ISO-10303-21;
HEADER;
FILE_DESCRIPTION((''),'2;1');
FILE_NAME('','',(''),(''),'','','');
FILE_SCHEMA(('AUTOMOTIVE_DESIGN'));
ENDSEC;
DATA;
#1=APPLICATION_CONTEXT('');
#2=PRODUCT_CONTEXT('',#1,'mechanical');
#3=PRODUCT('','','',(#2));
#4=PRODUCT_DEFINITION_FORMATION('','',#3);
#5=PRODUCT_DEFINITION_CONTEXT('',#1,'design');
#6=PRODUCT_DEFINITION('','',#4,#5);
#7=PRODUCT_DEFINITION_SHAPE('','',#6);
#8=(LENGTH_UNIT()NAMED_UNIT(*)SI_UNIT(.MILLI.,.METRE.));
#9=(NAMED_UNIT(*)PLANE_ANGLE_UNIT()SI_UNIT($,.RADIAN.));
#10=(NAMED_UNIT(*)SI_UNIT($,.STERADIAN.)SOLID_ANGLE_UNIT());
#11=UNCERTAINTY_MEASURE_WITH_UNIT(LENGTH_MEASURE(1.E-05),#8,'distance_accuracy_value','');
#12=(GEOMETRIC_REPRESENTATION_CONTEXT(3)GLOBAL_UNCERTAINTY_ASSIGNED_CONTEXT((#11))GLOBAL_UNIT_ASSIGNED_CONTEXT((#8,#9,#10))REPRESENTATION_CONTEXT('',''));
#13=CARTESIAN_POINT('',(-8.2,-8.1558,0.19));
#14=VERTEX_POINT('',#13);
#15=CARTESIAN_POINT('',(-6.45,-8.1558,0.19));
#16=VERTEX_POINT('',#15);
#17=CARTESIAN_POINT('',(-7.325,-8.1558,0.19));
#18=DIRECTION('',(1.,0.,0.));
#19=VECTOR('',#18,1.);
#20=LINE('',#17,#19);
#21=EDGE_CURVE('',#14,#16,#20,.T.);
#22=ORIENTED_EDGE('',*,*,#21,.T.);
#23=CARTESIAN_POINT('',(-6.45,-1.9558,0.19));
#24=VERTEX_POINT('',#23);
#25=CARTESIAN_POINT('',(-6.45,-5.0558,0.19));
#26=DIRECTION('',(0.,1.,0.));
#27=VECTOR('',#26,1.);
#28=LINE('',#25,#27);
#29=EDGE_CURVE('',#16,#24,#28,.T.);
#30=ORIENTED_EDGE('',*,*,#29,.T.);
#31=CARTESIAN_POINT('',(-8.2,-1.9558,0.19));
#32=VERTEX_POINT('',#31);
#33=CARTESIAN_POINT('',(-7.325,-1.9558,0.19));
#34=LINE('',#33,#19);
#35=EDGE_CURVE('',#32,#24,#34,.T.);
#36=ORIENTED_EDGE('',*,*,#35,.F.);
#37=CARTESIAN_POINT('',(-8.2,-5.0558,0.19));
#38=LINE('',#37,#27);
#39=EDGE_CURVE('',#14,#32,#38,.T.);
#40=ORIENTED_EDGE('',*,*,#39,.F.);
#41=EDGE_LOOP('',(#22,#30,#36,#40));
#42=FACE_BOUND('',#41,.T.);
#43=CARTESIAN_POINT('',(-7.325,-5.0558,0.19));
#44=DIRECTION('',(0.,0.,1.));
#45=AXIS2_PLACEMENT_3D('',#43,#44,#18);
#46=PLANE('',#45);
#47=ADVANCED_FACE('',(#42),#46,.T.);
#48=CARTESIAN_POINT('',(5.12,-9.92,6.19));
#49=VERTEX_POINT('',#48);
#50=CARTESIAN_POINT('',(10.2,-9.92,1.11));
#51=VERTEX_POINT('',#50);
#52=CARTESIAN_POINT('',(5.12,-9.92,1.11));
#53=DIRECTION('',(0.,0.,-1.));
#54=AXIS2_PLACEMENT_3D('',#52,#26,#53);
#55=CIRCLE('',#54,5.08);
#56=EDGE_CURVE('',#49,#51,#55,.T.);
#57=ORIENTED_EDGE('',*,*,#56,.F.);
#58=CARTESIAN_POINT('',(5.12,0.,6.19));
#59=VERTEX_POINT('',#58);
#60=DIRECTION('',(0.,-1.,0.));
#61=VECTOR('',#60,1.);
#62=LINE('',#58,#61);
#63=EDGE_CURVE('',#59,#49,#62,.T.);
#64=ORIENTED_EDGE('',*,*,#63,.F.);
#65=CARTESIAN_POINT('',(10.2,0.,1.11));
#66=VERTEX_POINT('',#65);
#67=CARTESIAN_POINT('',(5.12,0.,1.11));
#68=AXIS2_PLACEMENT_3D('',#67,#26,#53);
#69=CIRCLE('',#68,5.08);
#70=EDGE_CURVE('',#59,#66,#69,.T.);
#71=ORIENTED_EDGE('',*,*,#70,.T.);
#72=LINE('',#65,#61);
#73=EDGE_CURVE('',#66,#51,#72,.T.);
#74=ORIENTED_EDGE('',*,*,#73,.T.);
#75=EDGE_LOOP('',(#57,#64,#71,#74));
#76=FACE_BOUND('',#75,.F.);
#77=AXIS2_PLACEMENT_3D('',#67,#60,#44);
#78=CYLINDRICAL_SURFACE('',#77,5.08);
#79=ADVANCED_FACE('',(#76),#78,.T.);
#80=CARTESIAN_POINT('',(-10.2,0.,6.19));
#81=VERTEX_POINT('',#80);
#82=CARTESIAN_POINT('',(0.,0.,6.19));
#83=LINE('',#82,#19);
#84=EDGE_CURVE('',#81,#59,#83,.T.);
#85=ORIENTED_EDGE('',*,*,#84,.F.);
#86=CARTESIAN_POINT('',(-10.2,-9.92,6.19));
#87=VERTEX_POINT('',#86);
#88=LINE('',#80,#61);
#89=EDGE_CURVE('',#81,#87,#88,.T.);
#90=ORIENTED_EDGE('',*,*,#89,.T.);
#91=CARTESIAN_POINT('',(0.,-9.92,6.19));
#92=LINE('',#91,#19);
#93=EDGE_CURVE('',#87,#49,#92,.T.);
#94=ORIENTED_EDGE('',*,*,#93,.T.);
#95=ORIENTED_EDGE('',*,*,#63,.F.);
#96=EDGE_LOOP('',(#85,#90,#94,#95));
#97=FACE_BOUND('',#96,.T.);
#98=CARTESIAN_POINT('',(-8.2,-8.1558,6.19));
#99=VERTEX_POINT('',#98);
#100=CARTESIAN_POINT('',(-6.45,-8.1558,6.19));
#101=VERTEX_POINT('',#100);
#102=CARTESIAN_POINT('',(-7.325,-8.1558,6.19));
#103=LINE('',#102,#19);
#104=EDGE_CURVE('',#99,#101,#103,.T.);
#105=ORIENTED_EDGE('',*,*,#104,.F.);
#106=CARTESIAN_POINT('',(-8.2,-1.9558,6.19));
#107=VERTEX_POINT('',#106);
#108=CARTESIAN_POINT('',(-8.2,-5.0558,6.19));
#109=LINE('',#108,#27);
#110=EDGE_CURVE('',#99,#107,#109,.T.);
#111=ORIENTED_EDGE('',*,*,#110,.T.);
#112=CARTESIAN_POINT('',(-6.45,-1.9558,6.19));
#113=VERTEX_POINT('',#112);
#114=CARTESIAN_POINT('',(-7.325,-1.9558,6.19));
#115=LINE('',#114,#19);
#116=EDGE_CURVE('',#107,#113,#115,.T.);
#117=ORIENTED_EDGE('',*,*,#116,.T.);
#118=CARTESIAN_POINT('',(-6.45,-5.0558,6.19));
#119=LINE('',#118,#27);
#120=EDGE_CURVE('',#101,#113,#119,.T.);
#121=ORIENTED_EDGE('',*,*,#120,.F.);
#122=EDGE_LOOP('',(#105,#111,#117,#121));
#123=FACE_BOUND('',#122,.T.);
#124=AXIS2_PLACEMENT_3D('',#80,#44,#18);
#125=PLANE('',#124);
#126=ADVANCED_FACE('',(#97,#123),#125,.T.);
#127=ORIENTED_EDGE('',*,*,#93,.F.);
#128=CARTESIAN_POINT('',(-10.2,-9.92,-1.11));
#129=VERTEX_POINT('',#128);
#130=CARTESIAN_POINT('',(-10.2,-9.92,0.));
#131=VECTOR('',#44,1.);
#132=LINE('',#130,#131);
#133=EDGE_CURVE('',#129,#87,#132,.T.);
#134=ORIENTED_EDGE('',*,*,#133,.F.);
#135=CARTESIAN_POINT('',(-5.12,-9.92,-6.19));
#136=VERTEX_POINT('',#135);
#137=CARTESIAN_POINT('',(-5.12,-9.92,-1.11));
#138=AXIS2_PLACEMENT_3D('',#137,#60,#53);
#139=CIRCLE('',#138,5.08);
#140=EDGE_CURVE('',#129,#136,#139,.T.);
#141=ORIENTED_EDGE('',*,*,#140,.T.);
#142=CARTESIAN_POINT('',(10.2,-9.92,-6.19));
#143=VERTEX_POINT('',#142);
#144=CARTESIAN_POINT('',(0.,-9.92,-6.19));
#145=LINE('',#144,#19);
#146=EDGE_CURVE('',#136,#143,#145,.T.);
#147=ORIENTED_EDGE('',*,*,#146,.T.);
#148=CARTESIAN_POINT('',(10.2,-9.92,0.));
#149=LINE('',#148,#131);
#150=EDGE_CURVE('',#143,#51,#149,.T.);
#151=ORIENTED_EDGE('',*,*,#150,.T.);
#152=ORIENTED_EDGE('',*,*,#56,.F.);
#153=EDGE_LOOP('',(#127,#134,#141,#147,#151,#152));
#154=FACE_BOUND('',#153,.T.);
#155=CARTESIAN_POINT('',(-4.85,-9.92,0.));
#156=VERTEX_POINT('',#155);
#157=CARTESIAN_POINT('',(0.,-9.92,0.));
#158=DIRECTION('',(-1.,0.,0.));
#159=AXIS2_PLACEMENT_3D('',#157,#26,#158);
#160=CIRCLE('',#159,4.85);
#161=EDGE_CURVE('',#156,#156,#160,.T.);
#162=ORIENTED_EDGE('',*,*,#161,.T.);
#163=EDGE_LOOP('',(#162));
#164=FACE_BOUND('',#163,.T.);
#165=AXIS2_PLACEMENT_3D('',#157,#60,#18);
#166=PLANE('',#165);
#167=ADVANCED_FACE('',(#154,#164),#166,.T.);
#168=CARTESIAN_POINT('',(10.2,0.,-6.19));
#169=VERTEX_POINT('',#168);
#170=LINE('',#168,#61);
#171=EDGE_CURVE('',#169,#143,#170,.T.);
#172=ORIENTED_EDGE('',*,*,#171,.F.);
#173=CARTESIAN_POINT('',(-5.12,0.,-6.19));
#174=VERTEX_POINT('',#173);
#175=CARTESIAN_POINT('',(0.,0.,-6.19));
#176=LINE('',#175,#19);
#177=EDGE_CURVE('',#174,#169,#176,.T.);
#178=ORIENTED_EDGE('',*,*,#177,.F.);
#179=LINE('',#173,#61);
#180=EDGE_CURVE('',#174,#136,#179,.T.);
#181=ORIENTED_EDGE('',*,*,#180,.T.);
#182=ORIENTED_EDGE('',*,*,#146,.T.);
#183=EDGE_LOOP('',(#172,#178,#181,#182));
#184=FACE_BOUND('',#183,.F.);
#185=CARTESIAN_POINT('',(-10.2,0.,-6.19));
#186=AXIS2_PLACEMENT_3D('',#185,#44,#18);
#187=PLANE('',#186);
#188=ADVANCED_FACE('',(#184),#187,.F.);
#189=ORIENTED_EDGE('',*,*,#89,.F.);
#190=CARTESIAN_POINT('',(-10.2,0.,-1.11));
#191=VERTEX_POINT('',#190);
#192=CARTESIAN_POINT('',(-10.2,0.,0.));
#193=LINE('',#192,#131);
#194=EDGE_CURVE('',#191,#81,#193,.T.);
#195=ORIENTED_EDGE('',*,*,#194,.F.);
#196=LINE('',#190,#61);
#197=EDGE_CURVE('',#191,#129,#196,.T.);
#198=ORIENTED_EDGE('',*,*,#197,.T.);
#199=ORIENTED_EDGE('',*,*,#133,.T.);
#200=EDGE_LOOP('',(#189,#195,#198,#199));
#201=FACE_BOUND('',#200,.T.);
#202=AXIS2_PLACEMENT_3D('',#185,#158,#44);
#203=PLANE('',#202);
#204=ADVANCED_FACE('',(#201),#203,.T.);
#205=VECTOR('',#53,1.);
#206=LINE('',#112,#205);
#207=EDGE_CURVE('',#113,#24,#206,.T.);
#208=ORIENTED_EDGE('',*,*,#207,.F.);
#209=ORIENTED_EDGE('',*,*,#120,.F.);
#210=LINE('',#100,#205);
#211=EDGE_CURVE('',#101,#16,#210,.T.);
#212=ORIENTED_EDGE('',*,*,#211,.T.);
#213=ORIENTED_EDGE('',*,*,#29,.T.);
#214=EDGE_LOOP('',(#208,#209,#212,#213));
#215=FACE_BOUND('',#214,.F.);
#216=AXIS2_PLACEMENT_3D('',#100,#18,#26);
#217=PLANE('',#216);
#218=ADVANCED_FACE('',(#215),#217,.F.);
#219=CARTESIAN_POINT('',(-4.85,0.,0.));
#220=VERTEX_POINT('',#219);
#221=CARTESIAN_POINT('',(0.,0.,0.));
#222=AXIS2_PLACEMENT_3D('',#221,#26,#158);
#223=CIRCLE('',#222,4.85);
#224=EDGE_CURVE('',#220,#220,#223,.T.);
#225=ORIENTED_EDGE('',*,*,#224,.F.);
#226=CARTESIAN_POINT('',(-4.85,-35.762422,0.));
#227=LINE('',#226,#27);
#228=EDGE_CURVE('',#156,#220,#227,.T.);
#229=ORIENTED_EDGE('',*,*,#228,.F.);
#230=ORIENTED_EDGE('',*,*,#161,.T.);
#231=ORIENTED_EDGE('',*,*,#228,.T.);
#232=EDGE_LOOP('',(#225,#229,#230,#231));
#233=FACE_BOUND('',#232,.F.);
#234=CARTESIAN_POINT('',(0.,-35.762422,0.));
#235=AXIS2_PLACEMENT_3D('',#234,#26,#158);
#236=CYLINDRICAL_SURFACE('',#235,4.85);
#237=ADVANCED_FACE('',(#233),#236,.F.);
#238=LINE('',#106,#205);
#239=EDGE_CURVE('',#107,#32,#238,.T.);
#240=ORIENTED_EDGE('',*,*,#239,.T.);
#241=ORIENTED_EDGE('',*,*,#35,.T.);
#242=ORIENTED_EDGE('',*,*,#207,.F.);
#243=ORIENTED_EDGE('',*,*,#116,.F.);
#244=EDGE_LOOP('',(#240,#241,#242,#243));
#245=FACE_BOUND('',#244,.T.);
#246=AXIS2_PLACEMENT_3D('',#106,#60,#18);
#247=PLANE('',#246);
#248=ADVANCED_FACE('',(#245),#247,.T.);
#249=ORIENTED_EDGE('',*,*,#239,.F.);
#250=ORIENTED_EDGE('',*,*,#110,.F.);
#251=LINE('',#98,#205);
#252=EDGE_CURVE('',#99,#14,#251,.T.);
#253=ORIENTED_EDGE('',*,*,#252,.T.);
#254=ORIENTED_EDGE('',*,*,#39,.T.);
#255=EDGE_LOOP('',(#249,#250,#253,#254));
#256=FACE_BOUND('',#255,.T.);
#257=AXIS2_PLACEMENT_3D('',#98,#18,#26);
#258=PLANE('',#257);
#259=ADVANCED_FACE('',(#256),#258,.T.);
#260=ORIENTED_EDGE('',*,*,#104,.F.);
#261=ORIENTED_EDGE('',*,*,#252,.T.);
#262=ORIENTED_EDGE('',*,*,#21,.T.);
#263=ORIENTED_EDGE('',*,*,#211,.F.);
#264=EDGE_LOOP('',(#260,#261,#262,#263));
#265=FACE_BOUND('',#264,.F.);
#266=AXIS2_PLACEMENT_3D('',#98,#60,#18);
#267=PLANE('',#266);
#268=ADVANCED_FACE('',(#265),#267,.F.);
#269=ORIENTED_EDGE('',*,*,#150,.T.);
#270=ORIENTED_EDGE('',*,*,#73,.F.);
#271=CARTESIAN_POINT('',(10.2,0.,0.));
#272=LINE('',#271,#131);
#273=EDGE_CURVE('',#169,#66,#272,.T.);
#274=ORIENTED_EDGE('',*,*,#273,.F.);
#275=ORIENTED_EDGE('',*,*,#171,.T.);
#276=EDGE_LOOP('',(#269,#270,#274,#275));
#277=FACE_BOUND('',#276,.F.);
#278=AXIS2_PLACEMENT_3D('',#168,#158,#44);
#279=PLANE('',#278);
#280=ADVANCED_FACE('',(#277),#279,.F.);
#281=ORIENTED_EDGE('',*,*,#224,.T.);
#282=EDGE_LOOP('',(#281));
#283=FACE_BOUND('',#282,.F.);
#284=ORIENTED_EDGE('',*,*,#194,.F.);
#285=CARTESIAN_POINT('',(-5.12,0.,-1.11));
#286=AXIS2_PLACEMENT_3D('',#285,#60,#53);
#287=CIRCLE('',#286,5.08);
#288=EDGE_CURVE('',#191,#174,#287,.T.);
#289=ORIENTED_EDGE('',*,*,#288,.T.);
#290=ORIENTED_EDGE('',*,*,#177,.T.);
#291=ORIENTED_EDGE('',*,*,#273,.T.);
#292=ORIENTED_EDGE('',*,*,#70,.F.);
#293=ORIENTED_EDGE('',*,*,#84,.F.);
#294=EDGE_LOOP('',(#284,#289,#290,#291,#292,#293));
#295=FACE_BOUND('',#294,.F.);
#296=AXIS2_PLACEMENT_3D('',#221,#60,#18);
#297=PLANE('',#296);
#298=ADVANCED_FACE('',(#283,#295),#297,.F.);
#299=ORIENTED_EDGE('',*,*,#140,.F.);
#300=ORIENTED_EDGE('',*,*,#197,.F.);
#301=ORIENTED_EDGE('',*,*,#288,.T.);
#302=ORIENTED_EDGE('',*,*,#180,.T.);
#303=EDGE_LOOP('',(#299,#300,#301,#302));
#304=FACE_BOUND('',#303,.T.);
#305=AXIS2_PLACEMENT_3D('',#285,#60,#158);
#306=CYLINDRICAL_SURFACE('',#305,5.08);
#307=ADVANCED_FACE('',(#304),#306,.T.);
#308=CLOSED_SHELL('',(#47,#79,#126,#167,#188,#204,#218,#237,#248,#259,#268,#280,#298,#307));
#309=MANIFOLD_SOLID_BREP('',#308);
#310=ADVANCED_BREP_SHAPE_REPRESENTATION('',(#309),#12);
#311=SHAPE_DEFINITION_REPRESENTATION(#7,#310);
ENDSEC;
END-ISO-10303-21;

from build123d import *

# Parameters (mm, degrees)
F0_W     = 20.4
F0_H     = 12.38
F1_DEPTH = 9.92
F3_D     = 9.7
F4_R     = 5.08
F5_W     = 1.75
F5_H     = 6.2
F6_DEPTH = 6
F7_R     = 5.08


with BuildPart() as f1:
    # F0 (on Front) → F1 (new body)
    with BuildSketch(Plane.XZ):
        Rectangle(F0_W, F0_H)
    extrude(amount=F1_DEPTH)

    # F3 (through all)
    with Locations(Plane.XZ.offset(9.92)):
        with Locations((0, 0)):
            Hole(F3_D / 2)

    # F4
    f4_edges = [f1.edges().sort_by_distance(p)[0] for p in [
        (10.2, -4.96, 6.19),
    ]]
    fillet(f4_edges, radius=F4_R)

    # F5 (on face) → F6 (cut)
    with BuildSketch(Plane.XY.offset(6.19)):
        with Locations((-7.325, -5.0558)):
            Rectangle(F5_W, F5_H)
    extrude(amount=-F6_DEPTH, mode=Mode.SUBTRACT)

    # F7
    f7_edges = [f1.edges().sort_by_distance(p)[0] for p in [
        (-10.2, -4.96, -6.19),
    ]]
    fillet(f7_edges, radius=F7_R)


solid = f1.part
